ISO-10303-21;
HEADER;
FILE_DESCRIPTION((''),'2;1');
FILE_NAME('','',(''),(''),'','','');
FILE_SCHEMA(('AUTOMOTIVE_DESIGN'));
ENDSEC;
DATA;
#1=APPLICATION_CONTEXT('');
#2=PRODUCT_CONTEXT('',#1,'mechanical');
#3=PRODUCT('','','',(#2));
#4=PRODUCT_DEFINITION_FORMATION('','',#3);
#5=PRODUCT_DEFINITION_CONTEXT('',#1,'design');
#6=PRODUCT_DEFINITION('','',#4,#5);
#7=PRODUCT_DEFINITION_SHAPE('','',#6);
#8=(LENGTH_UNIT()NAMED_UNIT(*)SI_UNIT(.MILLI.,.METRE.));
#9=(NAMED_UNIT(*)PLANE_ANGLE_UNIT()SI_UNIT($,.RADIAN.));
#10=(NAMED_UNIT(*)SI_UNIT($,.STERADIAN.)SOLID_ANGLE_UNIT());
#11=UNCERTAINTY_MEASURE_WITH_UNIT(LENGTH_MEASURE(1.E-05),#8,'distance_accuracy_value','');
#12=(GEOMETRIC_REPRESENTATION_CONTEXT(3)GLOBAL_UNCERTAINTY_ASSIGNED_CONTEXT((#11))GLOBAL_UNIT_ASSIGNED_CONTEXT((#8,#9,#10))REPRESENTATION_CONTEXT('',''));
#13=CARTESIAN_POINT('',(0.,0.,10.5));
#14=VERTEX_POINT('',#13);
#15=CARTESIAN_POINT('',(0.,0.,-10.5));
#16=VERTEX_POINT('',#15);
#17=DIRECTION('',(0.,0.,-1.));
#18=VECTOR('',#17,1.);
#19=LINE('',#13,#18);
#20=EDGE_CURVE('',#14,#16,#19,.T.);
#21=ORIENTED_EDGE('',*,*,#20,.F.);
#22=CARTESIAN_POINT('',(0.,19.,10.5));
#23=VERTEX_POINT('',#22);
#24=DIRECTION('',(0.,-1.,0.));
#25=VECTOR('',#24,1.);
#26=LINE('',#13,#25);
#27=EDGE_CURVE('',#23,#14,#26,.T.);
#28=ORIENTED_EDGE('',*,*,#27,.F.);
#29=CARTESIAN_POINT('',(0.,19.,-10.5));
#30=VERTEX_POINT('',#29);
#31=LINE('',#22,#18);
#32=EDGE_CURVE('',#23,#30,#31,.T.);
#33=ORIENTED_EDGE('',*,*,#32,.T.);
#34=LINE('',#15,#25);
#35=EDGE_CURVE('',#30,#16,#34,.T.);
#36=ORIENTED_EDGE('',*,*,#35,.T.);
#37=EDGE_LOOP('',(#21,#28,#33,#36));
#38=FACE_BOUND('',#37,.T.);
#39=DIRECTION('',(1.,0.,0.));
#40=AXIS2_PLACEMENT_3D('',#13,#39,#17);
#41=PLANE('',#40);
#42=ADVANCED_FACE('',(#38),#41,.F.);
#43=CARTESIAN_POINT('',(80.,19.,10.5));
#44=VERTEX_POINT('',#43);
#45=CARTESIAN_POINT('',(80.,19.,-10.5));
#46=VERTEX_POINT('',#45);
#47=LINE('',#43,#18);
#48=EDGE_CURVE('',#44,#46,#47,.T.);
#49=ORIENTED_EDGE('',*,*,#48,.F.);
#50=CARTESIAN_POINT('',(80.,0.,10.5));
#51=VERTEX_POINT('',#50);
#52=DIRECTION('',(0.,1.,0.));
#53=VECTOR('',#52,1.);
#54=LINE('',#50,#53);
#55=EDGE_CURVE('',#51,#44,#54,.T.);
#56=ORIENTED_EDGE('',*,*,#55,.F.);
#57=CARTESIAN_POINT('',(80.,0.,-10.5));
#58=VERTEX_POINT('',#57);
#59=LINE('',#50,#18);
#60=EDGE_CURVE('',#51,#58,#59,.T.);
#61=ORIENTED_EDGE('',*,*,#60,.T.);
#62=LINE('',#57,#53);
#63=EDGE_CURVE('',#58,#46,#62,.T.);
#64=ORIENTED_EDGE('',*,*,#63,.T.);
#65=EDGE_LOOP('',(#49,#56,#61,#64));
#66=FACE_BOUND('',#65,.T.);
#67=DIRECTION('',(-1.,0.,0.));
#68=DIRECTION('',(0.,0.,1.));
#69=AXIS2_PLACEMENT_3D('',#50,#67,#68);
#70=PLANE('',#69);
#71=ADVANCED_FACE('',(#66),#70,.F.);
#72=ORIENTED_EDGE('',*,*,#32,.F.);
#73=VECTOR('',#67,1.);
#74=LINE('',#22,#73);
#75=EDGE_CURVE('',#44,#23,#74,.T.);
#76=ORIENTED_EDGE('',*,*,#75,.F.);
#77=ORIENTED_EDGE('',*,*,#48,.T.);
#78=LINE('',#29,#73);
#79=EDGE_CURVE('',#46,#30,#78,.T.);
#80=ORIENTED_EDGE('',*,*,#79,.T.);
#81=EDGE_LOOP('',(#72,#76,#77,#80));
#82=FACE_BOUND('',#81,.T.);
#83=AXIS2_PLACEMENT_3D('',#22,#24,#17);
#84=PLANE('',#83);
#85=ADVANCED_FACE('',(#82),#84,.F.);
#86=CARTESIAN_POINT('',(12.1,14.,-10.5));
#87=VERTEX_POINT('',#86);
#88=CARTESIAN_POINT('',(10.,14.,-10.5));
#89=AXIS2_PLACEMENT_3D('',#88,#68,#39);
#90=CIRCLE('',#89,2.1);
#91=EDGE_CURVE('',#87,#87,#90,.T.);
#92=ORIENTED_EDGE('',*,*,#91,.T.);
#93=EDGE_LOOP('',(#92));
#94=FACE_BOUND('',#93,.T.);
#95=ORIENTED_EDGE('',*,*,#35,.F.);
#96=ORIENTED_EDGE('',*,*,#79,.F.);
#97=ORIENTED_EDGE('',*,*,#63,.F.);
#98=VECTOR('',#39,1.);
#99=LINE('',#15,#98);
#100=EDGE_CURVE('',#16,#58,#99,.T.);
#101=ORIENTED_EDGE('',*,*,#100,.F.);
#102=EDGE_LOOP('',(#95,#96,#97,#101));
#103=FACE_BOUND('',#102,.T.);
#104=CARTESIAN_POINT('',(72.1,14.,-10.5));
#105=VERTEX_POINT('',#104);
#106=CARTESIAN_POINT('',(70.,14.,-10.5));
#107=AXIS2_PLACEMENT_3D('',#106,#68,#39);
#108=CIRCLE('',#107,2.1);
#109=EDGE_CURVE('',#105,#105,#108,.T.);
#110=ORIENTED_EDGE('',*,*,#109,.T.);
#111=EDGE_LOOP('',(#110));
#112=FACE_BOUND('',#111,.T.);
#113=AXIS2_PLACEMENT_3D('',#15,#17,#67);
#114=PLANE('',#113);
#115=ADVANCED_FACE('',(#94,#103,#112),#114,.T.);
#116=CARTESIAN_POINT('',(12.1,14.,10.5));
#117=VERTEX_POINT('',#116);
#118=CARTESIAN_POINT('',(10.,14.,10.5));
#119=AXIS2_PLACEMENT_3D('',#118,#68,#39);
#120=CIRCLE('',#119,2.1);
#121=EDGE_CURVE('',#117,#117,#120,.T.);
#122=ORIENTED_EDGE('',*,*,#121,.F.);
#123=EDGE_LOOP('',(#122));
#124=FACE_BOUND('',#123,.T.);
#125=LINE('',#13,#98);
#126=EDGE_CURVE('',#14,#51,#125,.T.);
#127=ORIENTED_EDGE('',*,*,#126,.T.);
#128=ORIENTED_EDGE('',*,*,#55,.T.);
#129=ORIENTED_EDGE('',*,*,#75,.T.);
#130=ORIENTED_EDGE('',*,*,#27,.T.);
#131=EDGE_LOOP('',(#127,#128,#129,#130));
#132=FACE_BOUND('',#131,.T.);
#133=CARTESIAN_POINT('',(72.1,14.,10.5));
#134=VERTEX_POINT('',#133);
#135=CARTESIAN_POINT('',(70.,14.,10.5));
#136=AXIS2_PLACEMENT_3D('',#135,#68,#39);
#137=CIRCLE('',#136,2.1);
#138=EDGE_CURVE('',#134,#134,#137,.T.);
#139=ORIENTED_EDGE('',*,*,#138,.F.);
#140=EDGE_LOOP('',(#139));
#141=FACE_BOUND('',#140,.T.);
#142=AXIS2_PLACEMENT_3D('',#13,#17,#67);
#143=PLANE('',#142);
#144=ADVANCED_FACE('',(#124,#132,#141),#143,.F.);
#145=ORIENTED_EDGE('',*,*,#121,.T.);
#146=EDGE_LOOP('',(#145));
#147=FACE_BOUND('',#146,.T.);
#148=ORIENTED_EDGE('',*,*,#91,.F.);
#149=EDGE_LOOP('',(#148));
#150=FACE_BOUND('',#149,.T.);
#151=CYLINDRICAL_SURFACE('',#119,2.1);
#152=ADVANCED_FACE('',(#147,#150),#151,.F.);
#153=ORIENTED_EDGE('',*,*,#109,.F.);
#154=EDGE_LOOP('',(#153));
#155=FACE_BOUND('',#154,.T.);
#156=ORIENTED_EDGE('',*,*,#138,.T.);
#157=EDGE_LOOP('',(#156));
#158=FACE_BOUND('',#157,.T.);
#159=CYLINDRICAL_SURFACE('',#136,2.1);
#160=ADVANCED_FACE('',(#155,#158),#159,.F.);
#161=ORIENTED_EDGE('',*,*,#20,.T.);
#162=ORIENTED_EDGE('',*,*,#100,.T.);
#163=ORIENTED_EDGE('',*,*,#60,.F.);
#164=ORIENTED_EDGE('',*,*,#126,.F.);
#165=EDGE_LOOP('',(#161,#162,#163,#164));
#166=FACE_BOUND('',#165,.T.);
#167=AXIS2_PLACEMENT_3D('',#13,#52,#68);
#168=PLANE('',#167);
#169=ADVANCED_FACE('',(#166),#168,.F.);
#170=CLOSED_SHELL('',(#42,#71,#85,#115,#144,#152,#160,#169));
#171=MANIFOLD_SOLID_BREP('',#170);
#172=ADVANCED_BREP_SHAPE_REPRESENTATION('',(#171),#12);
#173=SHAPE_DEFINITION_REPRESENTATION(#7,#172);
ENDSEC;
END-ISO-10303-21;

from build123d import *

# Parameters (mm, degrees)
SKETCH1_W             = 80
SKETCH1_H             = 19
BOSS_EXTRUDE1_DEPTH   = 10.5
M5X0_8_TAPPED_HOLE1_D = 4.2


with BuildPart() as part:
    # Sketch1 → Boss-Extrude1 (new, symmetric)
    with BuildSketch(Plane.XY):
        with Locations((40, 9.5)):
            Rectangle(SKETCH1_W, SKETCH1_H)
    extrude(amount=BOSS_EXTRUDE1_DEPTH, both=True)

    # M5x0.8 Tapped Hole1 (through all)
    with Locations(Plane.XY.offset(10.5)):
        with Locations((10, 14), (70, 14)):
            Hole(M5X0_8_TAPPED_HOLE1_D / 2)


solid = part.part
